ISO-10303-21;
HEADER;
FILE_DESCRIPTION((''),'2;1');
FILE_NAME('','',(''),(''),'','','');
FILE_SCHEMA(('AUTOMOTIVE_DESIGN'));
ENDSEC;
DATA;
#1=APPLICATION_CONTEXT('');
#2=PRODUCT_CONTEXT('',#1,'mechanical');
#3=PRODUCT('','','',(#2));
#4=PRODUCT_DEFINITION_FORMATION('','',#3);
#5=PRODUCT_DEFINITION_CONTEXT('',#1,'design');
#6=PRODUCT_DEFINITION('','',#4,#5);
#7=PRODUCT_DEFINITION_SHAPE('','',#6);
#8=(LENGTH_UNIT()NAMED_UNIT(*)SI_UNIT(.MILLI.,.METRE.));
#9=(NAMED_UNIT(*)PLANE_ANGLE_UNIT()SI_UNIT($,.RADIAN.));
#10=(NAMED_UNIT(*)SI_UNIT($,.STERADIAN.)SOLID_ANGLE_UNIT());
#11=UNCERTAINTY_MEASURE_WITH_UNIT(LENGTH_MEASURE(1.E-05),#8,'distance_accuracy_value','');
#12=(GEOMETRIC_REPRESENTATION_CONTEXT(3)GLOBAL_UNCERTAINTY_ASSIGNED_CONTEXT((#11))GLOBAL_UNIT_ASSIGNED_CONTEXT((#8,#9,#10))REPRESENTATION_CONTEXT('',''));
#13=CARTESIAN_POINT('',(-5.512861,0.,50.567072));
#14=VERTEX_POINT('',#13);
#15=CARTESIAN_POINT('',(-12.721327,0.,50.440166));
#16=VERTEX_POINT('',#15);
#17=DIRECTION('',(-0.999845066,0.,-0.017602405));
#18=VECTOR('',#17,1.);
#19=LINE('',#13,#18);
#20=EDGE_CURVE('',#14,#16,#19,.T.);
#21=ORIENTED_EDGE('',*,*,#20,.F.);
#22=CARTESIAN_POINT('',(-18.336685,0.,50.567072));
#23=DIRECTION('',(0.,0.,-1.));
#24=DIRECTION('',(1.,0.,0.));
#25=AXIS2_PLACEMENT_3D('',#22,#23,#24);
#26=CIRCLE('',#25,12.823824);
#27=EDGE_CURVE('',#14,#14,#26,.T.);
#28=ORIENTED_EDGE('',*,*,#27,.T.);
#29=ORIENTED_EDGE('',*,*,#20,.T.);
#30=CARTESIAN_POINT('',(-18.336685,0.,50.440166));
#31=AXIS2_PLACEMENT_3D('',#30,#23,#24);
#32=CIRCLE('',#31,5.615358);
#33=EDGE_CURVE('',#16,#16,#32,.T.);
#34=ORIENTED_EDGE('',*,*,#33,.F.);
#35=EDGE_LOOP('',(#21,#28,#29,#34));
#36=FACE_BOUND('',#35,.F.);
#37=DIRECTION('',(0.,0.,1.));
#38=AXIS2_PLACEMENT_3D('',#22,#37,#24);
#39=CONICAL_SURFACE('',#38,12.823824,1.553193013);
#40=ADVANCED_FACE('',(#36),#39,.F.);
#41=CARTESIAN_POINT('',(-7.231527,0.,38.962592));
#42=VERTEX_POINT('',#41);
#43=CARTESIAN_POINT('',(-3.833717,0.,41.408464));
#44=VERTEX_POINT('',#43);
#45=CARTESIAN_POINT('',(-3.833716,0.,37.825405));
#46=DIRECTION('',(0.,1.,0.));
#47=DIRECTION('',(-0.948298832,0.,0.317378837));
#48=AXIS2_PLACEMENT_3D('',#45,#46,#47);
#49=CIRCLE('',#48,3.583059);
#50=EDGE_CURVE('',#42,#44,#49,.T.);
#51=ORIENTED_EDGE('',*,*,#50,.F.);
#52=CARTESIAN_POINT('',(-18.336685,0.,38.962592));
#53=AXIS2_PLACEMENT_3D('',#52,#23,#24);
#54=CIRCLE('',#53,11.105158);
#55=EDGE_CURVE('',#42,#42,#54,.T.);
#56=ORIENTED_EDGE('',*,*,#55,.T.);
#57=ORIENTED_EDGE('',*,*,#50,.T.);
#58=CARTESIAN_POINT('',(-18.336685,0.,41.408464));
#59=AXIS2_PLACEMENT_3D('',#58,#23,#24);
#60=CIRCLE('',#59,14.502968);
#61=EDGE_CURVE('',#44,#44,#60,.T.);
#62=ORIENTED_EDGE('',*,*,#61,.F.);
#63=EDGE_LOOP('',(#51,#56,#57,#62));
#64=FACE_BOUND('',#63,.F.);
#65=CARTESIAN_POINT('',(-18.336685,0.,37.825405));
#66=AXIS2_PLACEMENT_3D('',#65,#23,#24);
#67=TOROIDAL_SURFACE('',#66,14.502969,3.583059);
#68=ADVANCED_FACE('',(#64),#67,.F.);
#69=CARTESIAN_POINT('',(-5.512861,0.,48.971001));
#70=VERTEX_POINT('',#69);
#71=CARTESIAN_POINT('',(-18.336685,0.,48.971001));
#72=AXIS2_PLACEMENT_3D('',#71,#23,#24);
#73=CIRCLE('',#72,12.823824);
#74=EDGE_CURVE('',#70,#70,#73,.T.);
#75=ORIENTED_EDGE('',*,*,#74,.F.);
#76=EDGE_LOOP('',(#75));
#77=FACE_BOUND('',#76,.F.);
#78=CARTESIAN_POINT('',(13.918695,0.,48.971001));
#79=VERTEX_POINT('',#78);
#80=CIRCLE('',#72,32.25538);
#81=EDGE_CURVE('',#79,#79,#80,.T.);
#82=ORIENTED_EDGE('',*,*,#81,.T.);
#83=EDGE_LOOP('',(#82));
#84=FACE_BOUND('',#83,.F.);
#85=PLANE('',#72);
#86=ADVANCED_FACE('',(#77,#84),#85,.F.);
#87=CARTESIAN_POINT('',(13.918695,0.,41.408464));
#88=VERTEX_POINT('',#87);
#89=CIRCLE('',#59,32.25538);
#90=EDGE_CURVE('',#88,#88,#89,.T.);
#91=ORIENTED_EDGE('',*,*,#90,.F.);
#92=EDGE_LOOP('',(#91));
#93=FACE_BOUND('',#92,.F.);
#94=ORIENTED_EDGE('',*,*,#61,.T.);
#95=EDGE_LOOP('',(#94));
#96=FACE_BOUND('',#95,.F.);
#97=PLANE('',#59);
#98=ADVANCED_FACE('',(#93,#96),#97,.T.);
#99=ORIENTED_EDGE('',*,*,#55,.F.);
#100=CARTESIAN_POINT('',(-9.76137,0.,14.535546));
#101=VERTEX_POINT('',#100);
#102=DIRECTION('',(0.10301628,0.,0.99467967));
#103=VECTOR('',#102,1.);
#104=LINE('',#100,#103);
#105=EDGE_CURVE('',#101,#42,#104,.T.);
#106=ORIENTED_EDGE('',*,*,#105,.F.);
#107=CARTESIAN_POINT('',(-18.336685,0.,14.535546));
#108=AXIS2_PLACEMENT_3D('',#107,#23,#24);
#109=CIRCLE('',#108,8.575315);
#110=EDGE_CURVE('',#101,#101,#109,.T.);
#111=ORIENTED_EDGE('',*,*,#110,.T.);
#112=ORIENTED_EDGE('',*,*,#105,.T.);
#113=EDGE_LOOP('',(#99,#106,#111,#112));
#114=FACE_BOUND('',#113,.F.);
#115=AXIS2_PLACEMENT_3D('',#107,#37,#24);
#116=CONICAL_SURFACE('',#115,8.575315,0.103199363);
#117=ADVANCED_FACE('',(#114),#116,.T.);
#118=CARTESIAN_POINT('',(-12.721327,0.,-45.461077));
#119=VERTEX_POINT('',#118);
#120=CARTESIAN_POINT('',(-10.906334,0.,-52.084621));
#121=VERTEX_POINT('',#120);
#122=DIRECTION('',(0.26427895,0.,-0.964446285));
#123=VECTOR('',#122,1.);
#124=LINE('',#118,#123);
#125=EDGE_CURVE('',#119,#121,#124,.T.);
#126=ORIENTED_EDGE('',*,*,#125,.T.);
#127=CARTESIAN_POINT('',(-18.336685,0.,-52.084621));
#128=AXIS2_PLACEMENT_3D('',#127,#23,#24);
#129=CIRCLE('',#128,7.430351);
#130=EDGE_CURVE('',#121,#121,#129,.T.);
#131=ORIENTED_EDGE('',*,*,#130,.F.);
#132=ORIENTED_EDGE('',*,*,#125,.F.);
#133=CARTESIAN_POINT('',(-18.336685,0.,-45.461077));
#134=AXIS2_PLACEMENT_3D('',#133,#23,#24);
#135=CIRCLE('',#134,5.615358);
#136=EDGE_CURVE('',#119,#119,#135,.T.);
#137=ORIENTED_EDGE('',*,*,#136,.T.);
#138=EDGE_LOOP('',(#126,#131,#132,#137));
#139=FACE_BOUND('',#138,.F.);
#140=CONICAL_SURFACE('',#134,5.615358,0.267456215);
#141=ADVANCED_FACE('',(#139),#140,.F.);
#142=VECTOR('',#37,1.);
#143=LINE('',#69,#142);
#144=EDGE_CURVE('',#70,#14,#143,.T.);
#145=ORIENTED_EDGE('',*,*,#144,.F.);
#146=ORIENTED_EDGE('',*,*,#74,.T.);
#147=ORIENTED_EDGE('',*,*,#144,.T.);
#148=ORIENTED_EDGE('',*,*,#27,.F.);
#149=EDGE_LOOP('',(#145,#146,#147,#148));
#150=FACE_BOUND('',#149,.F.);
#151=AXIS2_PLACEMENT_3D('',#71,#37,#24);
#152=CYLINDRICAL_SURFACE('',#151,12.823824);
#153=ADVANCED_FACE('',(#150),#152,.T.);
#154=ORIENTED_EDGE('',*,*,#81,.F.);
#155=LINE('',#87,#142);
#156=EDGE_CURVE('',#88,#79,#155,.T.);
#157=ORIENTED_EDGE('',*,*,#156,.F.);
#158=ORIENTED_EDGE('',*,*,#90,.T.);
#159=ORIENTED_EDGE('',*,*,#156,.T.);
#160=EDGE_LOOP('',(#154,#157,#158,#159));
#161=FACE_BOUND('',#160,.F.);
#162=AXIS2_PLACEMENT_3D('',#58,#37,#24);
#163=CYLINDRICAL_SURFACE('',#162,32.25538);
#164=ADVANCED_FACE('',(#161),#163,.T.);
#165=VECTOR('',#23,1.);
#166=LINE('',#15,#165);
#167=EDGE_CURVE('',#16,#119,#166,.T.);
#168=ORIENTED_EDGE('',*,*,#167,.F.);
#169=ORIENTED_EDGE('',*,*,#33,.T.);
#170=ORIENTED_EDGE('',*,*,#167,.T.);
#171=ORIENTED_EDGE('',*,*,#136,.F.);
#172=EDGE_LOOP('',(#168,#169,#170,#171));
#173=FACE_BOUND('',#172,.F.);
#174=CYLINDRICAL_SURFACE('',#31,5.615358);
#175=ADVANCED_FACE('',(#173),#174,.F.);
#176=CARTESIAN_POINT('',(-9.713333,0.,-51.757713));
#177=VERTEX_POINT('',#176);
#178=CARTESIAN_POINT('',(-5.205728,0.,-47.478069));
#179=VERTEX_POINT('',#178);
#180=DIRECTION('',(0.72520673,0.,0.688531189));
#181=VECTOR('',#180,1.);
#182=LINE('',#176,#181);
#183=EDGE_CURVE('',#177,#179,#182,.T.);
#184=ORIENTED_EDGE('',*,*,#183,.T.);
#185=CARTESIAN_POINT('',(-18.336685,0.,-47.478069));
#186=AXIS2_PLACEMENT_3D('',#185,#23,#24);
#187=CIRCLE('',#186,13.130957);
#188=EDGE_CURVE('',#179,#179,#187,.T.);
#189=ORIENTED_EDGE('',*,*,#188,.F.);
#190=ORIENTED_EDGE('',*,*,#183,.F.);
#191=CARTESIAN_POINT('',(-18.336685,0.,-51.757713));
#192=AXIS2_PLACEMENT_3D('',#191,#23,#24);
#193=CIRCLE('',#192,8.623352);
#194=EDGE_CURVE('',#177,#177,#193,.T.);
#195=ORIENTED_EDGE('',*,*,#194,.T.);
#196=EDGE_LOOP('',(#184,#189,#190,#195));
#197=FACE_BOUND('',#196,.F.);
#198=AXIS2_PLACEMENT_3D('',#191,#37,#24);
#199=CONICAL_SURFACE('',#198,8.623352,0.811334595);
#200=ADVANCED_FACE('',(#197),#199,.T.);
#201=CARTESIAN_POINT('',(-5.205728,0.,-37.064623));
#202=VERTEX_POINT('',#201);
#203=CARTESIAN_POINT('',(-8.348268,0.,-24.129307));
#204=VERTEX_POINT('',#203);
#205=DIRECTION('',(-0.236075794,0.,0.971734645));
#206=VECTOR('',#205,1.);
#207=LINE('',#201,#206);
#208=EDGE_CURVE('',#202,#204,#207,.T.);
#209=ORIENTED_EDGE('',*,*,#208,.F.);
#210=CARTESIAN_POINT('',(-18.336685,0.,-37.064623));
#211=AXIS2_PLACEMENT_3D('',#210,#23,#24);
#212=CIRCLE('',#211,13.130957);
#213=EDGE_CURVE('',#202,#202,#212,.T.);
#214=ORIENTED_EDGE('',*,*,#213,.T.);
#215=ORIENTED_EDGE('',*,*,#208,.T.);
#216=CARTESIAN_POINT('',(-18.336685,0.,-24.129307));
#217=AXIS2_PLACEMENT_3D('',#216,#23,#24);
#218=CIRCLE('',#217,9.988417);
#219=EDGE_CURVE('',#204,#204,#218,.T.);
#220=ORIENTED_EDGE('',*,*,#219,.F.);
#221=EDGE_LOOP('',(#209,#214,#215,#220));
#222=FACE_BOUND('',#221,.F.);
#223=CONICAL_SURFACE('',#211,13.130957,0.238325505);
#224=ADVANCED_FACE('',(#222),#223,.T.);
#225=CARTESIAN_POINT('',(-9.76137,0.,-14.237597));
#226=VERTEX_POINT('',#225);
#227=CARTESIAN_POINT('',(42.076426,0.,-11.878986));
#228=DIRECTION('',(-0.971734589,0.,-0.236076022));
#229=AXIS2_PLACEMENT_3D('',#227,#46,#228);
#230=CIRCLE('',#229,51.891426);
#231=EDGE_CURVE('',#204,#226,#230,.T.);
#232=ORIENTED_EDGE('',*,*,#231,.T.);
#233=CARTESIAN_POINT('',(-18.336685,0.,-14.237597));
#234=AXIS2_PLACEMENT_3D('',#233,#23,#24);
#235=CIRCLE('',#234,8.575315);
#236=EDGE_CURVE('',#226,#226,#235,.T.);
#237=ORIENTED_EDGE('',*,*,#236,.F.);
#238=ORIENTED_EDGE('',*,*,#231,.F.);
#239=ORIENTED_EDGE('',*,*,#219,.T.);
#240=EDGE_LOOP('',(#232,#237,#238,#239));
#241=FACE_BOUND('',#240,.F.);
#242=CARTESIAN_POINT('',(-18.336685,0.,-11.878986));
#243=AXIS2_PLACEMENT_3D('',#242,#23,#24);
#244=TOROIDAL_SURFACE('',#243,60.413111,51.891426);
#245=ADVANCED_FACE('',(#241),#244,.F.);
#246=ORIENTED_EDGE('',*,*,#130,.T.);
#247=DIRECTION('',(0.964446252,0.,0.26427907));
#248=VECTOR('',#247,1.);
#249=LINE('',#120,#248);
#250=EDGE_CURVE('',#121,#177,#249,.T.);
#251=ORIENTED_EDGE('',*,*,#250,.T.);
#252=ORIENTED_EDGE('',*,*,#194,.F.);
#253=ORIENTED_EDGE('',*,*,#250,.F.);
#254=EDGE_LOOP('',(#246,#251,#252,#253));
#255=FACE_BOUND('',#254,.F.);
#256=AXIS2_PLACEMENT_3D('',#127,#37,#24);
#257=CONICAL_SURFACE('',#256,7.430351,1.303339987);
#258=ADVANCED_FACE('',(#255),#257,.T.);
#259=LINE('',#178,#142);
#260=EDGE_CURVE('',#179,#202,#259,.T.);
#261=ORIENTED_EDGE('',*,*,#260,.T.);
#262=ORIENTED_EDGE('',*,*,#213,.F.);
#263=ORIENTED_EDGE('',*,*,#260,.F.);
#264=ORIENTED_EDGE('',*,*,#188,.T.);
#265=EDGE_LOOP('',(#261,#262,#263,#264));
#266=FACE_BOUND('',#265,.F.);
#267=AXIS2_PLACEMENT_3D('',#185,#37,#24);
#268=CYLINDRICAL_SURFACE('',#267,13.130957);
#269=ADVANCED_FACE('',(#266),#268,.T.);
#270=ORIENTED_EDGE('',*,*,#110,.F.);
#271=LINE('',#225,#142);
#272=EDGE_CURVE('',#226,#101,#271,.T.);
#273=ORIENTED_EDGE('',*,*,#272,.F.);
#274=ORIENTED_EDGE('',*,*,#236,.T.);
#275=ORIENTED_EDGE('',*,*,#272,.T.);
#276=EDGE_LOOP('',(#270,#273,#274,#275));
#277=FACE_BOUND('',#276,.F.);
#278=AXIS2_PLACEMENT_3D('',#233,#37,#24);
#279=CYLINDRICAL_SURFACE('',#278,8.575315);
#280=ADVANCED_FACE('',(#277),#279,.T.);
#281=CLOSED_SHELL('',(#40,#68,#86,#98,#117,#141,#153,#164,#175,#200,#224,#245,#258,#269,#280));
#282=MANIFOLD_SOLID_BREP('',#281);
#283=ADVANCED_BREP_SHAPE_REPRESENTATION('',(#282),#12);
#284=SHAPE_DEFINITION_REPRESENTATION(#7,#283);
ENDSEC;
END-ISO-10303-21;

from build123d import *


with BuildPart() as f1:
    # F0 (on Front) → F1 (revolve)
    with BuildSketch(Plane.XZ):
        with BuildLine():
            Line((-5.512861, 50.567072), (-12.721327, 50.440166))
            Line((-12.721327, 50.440166), (-12.721327, -45.461077))
            Line((-12.721327, -45.461077), (-10.906334, -52.084621))
            Line((-10.906334, -52.084621), (-9.713333, -51.757713))
            Line((-9.713333, -51.757713), (-5.205728, -47.478069))
            Line((-5.205728, -47.478069), (-5.205728, -37.064623))
            Line((-5.205728, -37.064623), (-8.348268, -24.129307))
            ThreePointArc((-8.348268, -24.129307), (-9.293465, -19.217544), (-9.76137, -14.237597))
            Line((-9.76137, -14.237597), (-9.76137, 14.535546))
            Line((-9.76137, 14.535546), (-7.231527, 38.962592))
            ThreePointArc((-7.231527, 38.962592), (-5.927004, 40.733404), (-3.833717, 41.408464))
            Line((-3.833717, 41.408464), (13.918695, 41.408464))
            Line((13.918695, 41.408464), (13.918695, 48.971001))
            Line((13.918695, 48.971001), (-5.512861, 48.971001))
            Line((-5.512861, 48.971001), (-5.512861, 50.567072))
        make_face()
    revolve(axis=Axis((-18.336685, 0, -7.719919), (0, 0, -1)))


solid = f1.part
